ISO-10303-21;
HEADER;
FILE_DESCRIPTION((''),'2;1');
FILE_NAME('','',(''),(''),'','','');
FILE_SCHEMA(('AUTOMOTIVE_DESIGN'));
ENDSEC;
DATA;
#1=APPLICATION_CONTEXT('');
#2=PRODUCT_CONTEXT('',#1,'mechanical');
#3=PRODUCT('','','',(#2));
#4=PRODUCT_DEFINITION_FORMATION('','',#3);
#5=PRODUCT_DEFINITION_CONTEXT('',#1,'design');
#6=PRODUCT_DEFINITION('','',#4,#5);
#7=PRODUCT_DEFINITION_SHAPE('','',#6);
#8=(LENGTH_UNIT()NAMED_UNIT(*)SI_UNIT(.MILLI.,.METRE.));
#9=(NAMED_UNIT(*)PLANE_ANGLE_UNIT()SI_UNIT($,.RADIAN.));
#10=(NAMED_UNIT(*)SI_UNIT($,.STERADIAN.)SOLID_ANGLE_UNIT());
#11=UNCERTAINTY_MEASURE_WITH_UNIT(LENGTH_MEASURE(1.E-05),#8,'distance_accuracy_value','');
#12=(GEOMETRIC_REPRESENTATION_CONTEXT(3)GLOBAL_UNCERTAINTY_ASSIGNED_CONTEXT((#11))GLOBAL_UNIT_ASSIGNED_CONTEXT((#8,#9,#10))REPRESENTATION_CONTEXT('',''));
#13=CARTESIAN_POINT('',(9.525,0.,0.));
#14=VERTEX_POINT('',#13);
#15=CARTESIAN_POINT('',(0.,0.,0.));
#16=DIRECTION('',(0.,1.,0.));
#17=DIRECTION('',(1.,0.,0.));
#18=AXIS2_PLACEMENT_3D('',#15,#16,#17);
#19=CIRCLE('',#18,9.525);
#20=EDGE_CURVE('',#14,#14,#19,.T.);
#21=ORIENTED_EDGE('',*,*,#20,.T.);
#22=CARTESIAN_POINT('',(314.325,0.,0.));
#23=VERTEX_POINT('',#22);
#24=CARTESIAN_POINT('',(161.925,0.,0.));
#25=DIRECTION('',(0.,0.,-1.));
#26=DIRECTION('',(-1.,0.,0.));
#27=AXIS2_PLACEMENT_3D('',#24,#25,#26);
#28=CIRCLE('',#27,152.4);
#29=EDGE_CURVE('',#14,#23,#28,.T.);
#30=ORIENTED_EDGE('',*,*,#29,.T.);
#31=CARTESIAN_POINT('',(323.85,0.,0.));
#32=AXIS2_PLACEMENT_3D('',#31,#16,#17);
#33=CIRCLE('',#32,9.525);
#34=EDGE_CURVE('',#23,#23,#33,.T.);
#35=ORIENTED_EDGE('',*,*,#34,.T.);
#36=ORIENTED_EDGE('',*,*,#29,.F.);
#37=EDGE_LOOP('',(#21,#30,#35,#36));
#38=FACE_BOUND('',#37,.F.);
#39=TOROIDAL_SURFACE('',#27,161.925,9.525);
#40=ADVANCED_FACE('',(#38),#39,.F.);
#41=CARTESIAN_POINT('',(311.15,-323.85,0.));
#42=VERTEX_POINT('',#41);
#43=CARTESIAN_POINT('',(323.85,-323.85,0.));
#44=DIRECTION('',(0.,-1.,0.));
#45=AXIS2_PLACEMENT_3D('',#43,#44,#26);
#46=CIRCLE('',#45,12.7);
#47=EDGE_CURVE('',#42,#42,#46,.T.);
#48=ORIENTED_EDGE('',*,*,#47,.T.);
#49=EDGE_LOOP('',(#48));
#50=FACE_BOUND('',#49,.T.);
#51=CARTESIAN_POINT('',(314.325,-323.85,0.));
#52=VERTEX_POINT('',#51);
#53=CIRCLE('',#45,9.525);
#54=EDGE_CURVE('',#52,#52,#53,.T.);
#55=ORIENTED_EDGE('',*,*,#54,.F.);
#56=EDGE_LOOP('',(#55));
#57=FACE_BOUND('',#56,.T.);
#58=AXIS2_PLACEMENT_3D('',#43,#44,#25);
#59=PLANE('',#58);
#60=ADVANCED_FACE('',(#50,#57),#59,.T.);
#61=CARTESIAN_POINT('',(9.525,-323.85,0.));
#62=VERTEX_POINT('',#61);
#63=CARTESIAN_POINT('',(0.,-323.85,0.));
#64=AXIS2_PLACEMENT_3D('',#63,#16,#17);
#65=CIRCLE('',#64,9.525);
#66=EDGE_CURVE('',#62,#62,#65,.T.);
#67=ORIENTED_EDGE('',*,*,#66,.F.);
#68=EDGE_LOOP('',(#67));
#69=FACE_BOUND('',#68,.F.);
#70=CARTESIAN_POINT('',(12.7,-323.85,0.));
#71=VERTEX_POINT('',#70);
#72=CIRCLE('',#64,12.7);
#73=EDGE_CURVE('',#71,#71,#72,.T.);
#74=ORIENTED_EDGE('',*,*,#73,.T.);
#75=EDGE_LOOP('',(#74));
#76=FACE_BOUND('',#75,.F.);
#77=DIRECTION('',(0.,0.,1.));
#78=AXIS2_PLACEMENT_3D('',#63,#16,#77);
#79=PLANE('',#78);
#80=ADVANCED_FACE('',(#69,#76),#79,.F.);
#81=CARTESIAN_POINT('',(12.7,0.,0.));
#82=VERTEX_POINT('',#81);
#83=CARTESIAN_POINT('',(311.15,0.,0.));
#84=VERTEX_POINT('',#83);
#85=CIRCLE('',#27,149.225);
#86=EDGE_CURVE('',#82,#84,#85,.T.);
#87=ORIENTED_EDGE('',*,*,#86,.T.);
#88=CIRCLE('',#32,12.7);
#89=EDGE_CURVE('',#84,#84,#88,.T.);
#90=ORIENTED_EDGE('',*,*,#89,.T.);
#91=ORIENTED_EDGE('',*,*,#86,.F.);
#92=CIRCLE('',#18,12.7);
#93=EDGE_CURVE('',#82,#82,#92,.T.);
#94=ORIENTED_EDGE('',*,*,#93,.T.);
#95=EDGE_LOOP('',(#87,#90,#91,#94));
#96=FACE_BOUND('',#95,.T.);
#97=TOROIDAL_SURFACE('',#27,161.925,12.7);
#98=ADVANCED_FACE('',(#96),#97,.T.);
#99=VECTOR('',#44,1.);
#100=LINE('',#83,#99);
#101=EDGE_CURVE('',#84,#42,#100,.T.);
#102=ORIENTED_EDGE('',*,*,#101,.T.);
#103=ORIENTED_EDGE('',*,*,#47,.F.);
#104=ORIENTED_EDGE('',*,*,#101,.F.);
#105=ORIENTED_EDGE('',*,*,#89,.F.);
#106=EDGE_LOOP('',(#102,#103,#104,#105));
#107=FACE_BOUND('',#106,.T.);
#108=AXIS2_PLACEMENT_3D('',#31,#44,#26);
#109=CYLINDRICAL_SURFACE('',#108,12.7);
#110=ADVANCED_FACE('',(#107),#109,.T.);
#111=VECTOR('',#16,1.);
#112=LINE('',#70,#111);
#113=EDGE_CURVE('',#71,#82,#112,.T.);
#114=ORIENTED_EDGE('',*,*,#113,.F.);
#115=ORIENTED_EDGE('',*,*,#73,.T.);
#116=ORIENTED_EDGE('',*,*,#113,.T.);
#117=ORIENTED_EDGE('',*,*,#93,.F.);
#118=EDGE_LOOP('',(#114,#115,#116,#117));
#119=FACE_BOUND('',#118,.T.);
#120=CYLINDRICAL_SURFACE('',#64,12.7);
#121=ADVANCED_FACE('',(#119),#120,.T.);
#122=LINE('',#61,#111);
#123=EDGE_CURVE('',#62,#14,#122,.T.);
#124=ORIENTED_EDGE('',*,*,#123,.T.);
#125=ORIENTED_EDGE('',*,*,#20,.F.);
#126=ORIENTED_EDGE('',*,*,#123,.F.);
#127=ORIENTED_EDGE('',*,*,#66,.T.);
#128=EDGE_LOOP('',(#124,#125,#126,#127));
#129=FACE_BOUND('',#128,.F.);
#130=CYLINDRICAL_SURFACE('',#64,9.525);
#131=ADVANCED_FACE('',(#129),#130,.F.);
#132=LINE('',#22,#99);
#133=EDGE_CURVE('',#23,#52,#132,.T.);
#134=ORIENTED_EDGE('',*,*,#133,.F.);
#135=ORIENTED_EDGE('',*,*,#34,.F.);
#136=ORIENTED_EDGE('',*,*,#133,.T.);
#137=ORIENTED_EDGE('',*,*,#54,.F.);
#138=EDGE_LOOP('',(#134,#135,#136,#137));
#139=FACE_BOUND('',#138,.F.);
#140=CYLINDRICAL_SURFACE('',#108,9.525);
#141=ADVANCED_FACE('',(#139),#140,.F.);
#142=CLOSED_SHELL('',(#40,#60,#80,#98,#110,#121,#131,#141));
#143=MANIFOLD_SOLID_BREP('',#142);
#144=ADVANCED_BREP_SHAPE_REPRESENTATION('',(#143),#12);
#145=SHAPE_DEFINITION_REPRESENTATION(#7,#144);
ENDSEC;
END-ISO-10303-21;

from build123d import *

# Parameters (mm, degrees)
SKETCH2_R = 12.7
SKETCH3_R = 9.525


with BuildPart() as part:
    # Sweep2: sweep along a path in Sketch1
    with BuildLine(Plane.XY) as sweep2_path:
        Line((0, -323.85), (0, 0))
        ThreePointArc((0, 0), (161.925, 161.925), (323.85, 0))
        Line((323.85, 0), (323.85, -323.85))
    # Sketch2 → Sweep2 (sweep)
    with BuildSketch(Plane(origin=(0, 0, 0), x_dir=(1, 0, 0), z_dir=(0, 1, 0))):
        Circle(SKETCH2_R)
    sweep(path=sweep2_path.line)

    # Cut-Sweep1: sweep along a path in Sketch1<6>
    with BuildLine(Plane.XY) as cut_sweep1_path:
        Line((0, -323.85), (0, 0))
        ThreePointArc((0, 0), (161.925, 161.925), (323.85, 0))
        Line((323.85, 0), (323.85, -323.85))
    # Sketch3 → Cut-Sweep1 (sweep, cut)
    with BuildSketch(Plane(origin=(0, 0, 0), x_dir=(1, 0, 0), z_dir=(0, 1, 0))):
        Circle(SKETCH3_R)
    sweep(path=cut_sweep1_path.line, mode=Mode.SUBTRACT)


solid = part.part
